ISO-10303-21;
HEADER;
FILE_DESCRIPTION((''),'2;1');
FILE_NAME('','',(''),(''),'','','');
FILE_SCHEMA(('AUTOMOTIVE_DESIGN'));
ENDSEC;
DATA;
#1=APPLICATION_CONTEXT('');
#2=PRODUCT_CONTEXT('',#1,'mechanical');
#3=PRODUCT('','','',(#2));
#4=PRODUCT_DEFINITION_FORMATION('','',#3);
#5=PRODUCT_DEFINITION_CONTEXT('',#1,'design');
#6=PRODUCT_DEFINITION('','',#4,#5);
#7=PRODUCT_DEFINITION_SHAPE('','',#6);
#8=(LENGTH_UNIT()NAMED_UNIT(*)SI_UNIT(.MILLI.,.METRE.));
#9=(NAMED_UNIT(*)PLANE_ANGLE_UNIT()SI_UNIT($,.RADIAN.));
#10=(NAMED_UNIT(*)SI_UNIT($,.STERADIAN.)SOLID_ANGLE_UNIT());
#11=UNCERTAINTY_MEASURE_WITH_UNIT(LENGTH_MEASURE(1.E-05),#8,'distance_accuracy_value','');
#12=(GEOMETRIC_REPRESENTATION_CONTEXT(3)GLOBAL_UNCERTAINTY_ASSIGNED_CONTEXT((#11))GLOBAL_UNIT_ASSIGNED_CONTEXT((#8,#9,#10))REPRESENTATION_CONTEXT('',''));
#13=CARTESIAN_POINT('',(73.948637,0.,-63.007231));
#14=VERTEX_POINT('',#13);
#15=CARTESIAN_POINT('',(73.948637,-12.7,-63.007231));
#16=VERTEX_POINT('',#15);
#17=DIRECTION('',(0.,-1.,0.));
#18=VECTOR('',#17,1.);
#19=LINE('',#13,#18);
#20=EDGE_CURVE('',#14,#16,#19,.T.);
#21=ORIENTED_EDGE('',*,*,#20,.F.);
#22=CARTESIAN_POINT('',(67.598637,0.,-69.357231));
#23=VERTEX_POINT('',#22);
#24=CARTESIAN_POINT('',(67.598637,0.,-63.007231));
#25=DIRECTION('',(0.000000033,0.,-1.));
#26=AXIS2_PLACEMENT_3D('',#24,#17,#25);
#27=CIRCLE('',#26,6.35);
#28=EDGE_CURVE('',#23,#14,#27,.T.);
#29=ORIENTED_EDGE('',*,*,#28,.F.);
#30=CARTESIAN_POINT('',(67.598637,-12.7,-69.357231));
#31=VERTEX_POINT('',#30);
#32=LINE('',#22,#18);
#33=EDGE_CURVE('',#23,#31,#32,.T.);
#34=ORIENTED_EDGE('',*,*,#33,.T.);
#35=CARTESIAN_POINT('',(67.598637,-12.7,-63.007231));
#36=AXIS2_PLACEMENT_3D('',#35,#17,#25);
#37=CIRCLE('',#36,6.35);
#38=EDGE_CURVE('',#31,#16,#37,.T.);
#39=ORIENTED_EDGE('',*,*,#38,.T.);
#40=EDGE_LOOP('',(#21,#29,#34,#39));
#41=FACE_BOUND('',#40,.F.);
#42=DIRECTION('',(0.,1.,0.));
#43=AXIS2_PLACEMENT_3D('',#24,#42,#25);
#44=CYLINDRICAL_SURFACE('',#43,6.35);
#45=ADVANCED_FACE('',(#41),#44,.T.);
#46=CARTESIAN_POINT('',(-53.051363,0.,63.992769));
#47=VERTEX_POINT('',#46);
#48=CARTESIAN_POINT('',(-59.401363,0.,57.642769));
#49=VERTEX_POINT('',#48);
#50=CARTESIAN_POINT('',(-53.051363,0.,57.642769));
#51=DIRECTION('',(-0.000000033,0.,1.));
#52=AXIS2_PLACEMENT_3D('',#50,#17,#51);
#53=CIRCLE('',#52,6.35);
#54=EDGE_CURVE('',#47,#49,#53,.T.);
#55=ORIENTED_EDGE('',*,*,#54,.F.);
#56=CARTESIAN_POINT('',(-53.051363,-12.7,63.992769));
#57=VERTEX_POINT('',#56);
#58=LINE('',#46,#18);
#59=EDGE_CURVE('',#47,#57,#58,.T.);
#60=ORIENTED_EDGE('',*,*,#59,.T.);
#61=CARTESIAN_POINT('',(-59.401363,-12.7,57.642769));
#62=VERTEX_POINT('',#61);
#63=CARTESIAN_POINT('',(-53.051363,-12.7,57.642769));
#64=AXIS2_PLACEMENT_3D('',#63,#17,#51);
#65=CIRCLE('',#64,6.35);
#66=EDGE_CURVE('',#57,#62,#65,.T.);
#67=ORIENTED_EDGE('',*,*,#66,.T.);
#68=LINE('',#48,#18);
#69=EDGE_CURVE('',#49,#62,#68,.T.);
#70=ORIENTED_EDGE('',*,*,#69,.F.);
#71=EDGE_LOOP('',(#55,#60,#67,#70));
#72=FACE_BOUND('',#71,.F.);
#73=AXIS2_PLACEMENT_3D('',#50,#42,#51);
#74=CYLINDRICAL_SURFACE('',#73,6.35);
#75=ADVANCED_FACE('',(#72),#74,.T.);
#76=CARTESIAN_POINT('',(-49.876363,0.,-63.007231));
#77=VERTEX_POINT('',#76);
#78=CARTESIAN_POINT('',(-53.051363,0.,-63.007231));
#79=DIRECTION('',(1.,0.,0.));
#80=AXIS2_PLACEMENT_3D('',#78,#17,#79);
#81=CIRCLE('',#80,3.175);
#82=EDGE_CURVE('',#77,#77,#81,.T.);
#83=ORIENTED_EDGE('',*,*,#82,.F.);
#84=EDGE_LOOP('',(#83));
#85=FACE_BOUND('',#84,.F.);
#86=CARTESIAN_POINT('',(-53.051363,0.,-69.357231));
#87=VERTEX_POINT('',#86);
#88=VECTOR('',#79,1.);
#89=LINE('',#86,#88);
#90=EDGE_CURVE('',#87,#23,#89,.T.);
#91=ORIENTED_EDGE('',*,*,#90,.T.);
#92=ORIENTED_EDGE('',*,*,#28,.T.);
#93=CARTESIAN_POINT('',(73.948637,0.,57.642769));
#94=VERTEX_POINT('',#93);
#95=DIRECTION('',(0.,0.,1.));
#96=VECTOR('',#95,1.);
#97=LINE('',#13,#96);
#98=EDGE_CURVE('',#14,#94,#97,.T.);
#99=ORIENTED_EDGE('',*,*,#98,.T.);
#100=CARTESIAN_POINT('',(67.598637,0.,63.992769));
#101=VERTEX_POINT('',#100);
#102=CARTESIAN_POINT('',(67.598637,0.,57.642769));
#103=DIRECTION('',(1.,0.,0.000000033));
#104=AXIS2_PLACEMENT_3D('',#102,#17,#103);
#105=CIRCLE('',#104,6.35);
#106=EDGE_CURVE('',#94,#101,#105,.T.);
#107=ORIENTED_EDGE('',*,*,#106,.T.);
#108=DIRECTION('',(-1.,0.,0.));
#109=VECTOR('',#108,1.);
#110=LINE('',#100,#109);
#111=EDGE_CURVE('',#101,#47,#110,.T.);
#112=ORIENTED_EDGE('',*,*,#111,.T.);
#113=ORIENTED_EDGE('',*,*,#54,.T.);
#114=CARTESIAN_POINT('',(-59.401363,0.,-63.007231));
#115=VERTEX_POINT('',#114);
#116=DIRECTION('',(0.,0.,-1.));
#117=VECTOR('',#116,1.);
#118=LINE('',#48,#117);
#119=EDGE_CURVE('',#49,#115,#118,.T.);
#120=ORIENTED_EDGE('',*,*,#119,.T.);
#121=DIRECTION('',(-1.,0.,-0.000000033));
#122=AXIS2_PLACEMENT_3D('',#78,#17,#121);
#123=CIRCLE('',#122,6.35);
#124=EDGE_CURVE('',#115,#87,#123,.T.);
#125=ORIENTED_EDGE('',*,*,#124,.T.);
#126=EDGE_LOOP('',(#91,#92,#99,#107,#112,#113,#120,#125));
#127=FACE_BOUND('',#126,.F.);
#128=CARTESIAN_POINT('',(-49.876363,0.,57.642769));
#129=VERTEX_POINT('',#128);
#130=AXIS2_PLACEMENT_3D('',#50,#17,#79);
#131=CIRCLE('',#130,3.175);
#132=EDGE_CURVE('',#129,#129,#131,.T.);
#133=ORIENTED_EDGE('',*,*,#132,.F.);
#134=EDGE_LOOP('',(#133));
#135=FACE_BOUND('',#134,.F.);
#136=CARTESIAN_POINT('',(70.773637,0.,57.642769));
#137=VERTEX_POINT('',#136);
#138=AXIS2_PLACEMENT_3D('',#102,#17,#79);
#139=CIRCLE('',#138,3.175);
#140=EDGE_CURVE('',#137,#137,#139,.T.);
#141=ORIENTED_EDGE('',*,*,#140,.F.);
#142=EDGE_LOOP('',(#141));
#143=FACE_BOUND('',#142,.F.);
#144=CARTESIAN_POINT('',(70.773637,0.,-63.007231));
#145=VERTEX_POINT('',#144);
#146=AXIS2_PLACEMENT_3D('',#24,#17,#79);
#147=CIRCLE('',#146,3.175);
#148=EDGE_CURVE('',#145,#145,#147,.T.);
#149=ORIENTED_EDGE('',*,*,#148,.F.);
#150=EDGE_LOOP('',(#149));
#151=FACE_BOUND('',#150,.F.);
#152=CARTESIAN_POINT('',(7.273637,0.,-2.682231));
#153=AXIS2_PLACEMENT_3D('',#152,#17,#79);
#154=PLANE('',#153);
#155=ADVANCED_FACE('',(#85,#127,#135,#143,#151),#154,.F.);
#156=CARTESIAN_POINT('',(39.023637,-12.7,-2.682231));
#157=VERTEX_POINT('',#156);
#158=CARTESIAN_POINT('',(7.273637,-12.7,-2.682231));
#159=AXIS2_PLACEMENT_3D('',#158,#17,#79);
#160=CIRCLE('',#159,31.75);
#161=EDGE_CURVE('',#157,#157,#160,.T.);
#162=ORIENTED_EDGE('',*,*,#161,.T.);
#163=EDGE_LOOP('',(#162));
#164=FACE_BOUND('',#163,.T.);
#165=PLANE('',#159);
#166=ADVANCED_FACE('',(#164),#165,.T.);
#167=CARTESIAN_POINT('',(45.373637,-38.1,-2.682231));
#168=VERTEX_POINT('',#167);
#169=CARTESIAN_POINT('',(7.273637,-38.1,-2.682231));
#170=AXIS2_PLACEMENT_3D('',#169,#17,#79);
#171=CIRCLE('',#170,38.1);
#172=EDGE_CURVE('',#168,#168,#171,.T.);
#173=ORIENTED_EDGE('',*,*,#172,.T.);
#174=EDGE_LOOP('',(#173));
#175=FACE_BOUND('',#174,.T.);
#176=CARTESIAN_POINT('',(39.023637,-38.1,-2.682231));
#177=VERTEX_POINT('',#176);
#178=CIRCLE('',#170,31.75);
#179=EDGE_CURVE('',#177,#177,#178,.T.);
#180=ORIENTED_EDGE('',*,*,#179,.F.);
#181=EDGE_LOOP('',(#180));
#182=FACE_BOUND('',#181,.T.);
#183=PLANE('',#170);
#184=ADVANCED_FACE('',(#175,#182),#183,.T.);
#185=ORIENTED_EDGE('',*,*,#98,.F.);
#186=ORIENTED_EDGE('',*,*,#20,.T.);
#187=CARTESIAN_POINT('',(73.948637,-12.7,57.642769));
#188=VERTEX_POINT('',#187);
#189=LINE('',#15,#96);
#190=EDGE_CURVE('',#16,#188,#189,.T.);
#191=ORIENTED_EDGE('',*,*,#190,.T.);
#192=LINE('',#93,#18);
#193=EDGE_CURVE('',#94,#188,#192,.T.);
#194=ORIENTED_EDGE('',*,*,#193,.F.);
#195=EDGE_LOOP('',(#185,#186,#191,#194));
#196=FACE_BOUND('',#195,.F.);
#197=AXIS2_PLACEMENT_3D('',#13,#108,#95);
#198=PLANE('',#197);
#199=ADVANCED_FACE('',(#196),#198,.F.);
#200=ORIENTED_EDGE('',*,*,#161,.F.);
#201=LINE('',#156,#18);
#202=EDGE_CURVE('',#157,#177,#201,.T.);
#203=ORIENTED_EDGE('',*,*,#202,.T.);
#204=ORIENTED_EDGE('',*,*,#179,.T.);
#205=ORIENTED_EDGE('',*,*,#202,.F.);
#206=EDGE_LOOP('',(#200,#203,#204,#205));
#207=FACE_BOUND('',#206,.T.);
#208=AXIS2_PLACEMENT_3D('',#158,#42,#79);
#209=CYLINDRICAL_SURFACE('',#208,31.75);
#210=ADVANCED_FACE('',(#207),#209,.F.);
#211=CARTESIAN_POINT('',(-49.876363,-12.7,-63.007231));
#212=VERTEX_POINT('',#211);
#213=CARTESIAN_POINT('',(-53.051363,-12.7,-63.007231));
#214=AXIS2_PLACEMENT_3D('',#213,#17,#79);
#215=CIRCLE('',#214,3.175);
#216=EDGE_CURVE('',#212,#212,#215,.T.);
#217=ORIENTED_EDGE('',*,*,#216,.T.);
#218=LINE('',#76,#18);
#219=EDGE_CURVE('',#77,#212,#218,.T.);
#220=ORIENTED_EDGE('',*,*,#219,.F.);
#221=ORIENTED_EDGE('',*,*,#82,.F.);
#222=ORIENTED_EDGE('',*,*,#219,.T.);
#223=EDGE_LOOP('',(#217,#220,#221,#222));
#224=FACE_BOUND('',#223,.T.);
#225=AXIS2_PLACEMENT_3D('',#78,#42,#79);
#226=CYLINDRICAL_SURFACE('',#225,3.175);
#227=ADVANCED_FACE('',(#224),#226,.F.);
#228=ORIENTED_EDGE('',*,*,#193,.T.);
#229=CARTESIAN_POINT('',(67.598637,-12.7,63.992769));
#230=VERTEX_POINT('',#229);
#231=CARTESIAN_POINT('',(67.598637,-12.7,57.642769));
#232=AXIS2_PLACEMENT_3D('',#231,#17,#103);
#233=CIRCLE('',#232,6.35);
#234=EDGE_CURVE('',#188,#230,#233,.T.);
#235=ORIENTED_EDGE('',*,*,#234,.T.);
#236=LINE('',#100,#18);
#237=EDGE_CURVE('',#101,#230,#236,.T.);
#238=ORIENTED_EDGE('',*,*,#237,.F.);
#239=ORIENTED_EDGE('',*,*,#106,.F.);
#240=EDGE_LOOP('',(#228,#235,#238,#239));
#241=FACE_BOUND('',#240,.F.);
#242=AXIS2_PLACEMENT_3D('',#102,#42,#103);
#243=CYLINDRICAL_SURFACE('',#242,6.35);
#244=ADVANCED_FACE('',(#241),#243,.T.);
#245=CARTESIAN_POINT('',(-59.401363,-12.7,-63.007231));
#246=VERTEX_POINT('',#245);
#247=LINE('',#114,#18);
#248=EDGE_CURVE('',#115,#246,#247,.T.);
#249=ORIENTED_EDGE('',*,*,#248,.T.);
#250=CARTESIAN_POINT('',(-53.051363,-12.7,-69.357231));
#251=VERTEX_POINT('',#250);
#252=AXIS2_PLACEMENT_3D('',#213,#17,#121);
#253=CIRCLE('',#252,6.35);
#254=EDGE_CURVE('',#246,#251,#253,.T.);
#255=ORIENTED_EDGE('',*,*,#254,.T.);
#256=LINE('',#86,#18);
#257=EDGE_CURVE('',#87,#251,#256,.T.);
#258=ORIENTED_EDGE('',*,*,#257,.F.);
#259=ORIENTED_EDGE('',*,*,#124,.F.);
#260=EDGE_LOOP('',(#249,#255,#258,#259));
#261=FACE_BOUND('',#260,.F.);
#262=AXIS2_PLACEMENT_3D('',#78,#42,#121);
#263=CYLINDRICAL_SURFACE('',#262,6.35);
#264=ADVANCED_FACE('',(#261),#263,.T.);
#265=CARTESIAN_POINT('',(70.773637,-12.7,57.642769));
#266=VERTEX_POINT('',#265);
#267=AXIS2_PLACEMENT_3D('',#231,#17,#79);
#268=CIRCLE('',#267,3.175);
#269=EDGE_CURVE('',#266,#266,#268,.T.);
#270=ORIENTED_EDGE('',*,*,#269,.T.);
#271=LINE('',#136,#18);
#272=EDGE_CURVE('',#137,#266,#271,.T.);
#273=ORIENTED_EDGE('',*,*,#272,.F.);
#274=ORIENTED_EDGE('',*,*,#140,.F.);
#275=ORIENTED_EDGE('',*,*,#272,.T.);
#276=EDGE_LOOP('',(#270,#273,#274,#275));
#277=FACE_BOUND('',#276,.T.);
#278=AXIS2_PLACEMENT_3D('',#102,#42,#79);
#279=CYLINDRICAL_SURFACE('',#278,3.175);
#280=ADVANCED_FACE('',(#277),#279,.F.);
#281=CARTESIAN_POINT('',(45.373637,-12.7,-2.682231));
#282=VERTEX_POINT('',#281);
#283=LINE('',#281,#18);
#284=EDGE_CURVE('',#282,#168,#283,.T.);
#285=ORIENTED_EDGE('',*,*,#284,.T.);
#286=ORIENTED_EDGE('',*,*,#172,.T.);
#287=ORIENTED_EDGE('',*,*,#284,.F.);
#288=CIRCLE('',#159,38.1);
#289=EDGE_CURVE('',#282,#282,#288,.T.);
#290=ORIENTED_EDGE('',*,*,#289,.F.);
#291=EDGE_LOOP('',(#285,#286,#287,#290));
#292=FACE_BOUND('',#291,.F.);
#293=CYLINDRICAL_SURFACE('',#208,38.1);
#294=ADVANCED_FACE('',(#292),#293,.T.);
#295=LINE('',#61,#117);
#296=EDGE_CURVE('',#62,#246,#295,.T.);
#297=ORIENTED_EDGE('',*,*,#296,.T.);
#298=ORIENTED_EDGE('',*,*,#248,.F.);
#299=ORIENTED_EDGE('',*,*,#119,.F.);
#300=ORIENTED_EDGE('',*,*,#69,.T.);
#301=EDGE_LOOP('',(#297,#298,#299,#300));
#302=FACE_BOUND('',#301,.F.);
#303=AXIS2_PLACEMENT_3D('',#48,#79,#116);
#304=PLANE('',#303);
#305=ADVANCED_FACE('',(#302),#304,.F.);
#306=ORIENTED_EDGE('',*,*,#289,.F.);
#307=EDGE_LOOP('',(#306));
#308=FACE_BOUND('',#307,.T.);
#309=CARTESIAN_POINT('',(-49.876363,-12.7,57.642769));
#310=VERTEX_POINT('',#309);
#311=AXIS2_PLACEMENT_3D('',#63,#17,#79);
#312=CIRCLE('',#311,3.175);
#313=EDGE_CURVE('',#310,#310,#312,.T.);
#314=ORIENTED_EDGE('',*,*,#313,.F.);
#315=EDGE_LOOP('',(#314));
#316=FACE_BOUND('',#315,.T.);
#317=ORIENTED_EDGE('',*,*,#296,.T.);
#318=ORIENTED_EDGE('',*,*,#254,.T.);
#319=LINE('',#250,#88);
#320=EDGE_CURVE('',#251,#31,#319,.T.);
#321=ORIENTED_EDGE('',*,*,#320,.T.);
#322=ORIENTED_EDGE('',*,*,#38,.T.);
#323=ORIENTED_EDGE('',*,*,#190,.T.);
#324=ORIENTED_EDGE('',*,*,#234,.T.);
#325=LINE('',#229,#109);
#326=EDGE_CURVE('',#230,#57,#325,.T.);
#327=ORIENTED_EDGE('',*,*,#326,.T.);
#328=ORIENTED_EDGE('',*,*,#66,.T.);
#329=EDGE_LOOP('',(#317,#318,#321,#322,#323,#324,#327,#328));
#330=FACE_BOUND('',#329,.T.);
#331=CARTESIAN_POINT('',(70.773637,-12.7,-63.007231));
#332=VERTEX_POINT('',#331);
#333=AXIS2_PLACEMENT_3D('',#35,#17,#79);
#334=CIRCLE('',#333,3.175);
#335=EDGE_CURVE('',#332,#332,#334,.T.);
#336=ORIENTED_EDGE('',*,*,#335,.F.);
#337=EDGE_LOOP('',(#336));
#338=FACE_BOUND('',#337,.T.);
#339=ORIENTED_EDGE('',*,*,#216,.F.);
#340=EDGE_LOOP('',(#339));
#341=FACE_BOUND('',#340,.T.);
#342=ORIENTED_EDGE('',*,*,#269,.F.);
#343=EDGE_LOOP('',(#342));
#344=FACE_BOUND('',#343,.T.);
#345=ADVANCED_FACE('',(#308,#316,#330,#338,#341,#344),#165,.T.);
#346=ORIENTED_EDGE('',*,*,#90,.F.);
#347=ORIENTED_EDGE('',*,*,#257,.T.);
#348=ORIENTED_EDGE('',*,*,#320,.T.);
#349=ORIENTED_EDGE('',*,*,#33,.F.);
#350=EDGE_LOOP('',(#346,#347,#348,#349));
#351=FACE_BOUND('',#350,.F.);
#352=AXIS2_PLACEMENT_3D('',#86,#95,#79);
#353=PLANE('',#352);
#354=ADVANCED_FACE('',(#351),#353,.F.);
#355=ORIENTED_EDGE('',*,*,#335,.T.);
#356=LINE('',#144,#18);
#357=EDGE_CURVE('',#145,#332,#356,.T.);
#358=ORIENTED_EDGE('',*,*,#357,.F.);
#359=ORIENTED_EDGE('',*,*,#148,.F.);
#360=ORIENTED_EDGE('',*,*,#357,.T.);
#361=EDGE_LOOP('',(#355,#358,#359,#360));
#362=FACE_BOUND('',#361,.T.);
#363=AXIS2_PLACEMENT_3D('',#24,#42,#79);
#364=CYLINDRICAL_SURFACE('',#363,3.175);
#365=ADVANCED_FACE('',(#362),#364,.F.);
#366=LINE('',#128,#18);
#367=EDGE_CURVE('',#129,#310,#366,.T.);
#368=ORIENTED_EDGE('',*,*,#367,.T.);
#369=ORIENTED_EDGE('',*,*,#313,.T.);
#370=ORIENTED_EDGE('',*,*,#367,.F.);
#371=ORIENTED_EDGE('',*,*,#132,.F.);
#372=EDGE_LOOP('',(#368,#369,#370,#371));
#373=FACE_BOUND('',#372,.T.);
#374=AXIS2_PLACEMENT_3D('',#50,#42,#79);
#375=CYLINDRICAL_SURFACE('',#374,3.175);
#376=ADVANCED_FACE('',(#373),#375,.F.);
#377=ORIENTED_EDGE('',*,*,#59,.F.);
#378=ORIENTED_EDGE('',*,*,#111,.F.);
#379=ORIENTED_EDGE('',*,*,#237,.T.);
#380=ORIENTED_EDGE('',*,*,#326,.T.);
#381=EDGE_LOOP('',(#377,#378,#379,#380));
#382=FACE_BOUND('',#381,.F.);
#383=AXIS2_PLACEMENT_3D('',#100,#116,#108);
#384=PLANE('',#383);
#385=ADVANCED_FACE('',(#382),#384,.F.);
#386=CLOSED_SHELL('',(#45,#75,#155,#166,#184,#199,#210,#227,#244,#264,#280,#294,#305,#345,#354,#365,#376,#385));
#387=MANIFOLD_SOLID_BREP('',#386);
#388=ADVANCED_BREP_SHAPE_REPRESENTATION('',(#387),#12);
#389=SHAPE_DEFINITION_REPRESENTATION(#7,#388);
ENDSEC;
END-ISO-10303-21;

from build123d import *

# Parameters (mm, degrees)
F0_R     = 3.175
F1_DEPTH = 12.7
F2_R     = 38.1
F2_R_2   = 31.75
F3_DEPTH = 25.4


with BuildPart() as f1:
    # F0 (on Front) → F1 (new body)
    with BuildSketch(Plane.XZ):
        with BuildLine():
            Line((67.598637, 63.992769), (-53.051363, 63.992769))
            ThreePointArc((-53.051363, 63.992769), (-57.541491, 62.132897), (-59.401363, 57.642769))
            Line((-59.401363, 57.642769), (-59.401363, -63.007231))
            ThreePointArc((-59.401363, -63.007231), (-57.541491, -67.497359), (-53.051363, -69.357231))
            Line((-53.051363, -69.357231), (67.598637, -69.357231))
            ThreePointArc((67.598637, -69.357231), (72.088765, -67.497359), (73.948637, -63.007231))
            Line((73.948637, -63.007231), (73.948637, 57.642769))
            ThreePointArc((73.948637, 57.642769), (72.088765, 62.132897), (67.598637, 63.992769))
        make_face()
        with Locations((-53.051363, -63.007231)):
            Circle(F0_R, mode=Mode.SUBTRACT)
        with Locations((67.598637, -63.007231)):
            Circle(F0_R, mode=Mode.SUBTRACT)
        with Locations((-53.051363, 57.642769)):
            Circle(F0_R, mode=Mode.SUBTRACT)
        with Locations((67.598637, 57.642769)):
            Circle(F0_R, mode=Mode.SUBTRACT)
    extrude(amount=F1_DEPTH)

    # F2 (on face) → F3 (join)
    with BuildSketch(Plane.XZ.offset(12.7)):
        with Locations((7.273637, -2.682231)):
            Circle(F2_R)
        with Locations((7.273637, -2.682231)):
            Circle(F2_R_2, mode=Mode.SUBTRACT)
    extrude(amount=F3_DEPTH)


solid = f1.part
